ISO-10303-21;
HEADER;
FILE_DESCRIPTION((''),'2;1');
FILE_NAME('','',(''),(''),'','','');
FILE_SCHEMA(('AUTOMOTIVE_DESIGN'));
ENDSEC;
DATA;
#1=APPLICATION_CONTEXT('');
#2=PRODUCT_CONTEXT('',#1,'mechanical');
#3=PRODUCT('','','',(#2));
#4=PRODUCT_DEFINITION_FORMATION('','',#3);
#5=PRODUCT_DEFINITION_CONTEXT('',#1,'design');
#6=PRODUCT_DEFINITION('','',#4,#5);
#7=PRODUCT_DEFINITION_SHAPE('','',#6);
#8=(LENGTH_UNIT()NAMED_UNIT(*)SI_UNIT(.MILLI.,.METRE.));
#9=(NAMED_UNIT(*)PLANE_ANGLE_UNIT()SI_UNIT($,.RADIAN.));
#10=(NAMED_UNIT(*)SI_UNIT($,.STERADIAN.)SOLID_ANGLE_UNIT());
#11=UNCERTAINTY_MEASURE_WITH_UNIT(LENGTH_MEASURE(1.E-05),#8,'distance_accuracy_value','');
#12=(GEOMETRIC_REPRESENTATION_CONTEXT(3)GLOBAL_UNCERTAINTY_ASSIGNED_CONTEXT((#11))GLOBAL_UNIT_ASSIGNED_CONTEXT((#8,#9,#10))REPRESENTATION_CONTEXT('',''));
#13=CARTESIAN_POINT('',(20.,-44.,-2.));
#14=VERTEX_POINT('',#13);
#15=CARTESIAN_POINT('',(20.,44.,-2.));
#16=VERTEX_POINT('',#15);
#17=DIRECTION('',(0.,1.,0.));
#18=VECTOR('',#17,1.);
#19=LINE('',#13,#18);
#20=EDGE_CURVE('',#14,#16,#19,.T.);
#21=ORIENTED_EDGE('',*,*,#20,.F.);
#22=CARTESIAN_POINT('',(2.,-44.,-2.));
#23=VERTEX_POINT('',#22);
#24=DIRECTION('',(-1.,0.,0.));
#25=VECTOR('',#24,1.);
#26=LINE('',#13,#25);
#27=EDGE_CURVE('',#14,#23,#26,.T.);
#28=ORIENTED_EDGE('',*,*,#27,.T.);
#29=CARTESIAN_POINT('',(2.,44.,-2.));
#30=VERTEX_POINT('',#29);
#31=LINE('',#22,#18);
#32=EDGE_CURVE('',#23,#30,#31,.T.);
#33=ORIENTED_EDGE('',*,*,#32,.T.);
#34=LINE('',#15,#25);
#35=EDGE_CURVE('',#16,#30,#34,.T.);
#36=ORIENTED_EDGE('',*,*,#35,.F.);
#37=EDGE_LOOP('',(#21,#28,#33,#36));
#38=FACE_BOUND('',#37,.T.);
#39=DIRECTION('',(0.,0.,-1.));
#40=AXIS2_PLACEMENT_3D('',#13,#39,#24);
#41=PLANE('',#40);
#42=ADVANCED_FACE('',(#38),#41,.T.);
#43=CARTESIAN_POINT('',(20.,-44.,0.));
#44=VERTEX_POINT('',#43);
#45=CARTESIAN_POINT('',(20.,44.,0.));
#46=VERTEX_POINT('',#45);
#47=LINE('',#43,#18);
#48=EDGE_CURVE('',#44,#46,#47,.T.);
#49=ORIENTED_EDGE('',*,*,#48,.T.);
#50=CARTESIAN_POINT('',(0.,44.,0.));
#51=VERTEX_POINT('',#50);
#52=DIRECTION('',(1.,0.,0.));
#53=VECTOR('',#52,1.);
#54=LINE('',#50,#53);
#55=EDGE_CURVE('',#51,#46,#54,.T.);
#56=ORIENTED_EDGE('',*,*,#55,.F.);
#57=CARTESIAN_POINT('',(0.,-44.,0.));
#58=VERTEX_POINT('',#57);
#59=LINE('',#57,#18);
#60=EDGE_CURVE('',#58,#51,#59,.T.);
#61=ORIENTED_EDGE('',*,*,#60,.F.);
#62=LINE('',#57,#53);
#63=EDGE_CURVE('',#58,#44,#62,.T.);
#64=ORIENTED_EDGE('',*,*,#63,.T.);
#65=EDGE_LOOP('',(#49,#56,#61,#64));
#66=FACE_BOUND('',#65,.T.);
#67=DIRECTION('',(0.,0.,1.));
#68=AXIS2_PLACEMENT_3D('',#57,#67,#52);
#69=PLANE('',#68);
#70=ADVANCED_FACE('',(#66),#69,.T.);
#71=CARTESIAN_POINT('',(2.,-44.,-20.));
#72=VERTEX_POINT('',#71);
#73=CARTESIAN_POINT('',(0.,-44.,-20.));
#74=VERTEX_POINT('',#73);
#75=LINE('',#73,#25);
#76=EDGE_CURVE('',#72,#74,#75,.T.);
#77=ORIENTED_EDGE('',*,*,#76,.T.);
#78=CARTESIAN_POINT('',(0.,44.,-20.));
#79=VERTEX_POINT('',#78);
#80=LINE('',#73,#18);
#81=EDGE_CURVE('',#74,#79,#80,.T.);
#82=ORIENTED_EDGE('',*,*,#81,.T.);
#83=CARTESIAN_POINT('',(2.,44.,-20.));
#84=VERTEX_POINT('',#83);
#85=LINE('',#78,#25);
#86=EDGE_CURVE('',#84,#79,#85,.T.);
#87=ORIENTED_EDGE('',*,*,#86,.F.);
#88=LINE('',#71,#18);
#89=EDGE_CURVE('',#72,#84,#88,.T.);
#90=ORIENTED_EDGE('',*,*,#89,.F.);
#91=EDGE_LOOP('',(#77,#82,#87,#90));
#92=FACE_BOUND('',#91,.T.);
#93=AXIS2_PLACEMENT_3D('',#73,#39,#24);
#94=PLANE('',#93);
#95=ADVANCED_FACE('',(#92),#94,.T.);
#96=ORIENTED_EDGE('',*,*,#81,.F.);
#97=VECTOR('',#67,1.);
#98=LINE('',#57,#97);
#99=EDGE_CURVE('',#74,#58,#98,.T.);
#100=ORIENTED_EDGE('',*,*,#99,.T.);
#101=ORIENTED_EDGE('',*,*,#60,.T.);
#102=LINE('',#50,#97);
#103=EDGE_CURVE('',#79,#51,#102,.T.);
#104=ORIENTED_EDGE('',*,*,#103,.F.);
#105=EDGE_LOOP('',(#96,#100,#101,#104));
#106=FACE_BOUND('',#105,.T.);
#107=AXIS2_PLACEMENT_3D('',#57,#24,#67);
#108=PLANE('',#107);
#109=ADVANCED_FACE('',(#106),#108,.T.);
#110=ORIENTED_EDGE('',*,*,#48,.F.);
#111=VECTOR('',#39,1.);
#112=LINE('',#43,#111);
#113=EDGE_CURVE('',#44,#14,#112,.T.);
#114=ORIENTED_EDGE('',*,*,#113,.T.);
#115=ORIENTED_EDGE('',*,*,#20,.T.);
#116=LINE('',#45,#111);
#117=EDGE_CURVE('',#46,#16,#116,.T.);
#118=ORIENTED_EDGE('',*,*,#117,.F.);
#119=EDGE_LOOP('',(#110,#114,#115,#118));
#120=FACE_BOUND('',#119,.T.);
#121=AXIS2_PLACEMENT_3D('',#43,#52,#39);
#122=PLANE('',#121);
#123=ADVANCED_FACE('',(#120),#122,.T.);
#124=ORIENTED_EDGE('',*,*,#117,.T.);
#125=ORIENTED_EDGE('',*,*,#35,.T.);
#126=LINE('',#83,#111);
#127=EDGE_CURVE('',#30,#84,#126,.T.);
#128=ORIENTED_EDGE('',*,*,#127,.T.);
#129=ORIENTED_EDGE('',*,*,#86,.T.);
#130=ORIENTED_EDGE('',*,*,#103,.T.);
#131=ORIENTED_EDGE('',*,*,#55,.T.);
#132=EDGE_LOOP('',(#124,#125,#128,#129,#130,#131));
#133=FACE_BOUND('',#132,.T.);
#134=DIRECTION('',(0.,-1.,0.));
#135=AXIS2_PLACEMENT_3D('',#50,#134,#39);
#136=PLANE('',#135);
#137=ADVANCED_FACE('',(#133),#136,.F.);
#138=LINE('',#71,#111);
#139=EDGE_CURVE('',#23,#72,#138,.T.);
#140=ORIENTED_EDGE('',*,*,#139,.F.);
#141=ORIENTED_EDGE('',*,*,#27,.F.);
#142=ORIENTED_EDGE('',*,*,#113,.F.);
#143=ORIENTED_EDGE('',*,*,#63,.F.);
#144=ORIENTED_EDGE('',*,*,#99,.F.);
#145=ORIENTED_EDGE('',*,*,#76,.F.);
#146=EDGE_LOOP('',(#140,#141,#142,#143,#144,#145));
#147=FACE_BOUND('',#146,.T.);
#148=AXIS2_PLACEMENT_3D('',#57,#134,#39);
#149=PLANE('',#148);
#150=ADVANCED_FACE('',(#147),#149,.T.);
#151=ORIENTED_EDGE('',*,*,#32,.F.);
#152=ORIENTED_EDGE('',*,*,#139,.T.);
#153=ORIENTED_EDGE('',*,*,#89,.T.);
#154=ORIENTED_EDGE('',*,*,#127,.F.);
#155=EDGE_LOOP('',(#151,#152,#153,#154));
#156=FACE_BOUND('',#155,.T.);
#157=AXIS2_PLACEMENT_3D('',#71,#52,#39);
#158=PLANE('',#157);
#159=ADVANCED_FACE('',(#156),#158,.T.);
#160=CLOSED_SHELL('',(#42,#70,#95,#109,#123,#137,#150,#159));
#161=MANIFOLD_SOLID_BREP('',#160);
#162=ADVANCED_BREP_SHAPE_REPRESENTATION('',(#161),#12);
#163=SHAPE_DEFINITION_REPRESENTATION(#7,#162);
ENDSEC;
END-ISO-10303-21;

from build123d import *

# Parameters (mm, degrees)
BOSS_EXTRUDE1_DEPTH      = 44
BOSS_EXTRUDE1_DEPTH_BACK = 44


with BuildPart() as part:
    # Sketch1 → Boss-Extrude1 (new, two sides: drawn at the far end of the back side and taken through both)
    with BuildSketch(Plane(origin=(0, 0, 0), x_dir=(1, 0, 0), z_dir=(0, 1, 0)).offset(-BOSS_EXTRUDE1_DEPTH_BACK)):
        Polygon((0, 0), (20, 0), (20, 2), (2, 2), (2, 20), (0, 20), align=None)
    extrude(amount=BOSS_EXTRUDE1_DEPTH + BOSS_EXTRUDE1_DEPTH_BACK)


solid = part.part
